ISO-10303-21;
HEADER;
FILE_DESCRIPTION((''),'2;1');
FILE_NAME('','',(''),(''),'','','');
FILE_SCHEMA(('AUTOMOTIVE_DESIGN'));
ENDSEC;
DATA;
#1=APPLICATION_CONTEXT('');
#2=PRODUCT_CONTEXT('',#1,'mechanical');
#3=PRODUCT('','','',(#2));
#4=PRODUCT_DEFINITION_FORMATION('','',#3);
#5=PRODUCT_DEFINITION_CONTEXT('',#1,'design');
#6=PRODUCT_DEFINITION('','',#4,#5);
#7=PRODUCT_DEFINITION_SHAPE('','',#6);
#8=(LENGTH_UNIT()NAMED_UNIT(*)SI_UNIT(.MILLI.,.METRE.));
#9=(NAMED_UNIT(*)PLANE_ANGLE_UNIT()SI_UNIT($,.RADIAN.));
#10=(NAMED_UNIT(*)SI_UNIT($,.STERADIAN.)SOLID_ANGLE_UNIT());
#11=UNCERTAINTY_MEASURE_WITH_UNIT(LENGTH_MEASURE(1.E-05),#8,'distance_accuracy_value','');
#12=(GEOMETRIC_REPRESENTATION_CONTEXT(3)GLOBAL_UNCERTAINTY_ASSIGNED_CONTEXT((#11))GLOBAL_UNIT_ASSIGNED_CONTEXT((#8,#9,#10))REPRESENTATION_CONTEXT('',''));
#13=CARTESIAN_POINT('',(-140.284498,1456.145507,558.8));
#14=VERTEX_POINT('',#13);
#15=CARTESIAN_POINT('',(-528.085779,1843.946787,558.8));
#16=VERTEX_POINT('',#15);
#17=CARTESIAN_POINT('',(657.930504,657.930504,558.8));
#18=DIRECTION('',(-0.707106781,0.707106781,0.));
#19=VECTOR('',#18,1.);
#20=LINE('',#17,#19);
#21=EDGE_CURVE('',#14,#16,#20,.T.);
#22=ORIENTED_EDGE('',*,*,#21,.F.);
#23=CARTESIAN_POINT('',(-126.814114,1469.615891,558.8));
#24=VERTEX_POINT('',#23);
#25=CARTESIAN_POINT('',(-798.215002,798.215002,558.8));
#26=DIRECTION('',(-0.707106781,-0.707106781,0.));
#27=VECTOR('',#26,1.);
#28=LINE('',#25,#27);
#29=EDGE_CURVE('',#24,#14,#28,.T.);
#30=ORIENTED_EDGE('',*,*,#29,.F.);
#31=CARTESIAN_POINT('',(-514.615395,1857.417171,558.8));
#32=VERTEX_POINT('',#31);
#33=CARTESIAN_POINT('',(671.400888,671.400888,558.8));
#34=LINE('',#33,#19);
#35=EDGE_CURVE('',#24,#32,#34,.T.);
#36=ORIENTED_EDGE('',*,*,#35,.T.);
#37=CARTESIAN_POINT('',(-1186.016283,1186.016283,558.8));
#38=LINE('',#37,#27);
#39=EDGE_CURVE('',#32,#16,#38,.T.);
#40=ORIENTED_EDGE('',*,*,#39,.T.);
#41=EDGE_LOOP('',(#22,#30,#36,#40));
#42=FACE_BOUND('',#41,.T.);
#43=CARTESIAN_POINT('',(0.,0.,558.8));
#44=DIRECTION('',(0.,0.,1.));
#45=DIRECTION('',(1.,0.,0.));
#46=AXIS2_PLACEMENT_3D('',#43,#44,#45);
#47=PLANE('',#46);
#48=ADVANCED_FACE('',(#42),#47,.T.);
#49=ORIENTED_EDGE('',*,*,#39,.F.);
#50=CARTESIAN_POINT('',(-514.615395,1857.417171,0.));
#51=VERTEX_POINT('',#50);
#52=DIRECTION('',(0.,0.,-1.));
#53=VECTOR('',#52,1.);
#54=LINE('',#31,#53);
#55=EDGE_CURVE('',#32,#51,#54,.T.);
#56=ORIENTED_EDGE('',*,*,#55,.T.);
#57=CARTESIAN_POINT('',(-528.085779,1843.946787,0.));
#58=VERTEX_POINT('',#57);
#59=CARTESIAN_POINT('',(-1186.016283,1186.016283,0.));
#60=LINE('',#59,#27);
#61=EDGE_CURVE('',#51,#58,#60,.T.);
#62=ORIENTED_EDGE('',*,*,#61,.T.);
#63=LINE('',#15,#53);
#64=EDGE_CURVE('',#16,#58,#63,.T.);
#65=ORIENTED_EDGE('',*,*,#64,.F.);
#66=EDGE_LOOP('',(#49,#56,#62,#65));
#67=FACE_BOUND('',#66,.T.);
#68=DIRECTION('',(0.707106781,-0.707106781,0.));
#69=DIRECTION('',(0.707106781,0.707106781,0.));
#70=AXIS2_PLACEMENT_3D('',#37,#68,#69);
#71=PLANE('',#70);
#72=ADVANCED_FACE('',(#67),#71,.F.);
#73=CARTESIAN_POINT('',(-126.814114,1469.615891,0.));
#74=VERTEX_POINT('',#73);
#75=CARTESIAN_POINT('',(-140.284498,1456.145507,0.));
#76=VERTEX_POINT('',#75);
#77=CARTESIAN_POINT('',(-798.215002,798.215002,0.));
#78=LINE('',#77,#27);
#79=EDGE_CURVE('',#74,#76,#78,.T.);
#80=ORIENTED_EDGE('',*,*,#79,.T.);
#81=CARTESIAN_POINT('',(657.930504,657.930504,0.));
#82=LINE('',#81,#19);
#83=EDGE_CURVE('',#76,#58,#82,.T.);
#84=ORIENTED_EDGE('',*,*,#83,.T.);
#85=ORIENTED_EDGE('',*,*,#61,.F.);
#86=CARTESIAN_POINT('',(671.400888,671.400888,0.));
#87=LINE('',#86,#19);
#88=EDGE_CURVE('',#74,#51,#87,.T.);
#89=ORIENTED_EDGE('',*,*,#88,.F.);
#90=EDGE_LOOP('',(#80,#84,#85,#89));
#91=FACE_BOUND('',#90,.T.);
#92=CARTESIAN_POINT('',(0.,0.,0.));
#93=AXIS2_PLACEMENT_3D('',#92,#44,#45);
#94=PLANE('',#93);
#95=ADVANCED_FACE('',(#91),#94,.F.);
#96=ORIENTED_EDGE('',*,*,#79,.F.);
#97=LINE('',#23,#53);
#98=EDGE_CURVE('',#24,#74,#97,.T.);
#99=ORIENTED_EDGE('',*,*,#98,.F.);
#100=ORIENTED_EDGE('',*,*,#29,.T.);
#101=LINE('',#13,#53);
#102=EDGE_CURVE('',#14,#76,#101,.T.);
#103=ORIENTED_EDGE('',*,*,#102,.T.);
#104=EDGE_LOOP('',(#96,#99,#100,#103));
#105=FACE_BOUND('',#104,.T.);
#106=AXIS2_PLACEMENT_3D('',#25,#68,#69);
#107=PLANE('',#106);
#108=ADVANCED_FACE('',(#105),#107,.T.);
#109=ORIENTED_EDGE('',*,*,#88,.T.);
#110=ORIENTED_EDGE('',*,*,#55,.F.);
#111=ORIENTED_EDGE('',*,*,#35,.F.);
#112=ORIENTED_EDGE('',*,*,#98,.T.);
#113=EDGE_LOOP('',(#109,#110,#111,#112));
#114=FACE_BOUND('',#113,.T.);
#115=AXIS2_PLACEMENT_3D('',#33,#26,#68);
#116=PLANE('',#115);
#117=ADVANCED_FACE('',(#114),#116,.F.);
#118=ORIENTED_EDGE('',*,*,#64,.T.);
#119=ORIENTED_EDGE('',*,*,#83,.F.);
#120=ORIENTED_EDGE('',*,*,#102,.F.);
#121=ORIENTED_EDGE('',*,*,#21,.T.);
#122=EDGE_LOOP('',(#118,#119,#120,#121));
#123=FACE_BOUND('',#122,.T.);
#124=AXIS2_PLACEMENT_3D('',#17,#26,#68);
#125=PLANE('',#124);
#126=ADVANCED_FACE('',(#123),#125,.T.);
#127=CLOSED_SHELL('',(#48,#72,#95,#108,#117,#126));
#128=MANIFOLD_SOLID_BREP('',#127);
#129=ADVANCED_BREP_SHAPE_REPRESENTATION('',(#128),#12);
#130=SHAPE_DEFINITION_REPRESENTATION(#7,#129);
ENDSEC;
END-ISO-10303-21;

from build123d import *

# Parameters (mm, degrees)
BOSS_EXTRUDE1_DEPTH = 558.8


with BuildPart() as part:
    # Sketch1 → Boss-Extrude1 (new body)
    with BuildSketch(Plane.XY):
        Polygon((-126.814114068, 1469.615890762), (-514.615394673, 1857.417171368), (-528.085778855, 1843.946787186), (-140.28449825, 1456.145506581), align=None)
    extrude(amount=BOSS_EXTRUDE1_DEPTH)


solid = part.part
